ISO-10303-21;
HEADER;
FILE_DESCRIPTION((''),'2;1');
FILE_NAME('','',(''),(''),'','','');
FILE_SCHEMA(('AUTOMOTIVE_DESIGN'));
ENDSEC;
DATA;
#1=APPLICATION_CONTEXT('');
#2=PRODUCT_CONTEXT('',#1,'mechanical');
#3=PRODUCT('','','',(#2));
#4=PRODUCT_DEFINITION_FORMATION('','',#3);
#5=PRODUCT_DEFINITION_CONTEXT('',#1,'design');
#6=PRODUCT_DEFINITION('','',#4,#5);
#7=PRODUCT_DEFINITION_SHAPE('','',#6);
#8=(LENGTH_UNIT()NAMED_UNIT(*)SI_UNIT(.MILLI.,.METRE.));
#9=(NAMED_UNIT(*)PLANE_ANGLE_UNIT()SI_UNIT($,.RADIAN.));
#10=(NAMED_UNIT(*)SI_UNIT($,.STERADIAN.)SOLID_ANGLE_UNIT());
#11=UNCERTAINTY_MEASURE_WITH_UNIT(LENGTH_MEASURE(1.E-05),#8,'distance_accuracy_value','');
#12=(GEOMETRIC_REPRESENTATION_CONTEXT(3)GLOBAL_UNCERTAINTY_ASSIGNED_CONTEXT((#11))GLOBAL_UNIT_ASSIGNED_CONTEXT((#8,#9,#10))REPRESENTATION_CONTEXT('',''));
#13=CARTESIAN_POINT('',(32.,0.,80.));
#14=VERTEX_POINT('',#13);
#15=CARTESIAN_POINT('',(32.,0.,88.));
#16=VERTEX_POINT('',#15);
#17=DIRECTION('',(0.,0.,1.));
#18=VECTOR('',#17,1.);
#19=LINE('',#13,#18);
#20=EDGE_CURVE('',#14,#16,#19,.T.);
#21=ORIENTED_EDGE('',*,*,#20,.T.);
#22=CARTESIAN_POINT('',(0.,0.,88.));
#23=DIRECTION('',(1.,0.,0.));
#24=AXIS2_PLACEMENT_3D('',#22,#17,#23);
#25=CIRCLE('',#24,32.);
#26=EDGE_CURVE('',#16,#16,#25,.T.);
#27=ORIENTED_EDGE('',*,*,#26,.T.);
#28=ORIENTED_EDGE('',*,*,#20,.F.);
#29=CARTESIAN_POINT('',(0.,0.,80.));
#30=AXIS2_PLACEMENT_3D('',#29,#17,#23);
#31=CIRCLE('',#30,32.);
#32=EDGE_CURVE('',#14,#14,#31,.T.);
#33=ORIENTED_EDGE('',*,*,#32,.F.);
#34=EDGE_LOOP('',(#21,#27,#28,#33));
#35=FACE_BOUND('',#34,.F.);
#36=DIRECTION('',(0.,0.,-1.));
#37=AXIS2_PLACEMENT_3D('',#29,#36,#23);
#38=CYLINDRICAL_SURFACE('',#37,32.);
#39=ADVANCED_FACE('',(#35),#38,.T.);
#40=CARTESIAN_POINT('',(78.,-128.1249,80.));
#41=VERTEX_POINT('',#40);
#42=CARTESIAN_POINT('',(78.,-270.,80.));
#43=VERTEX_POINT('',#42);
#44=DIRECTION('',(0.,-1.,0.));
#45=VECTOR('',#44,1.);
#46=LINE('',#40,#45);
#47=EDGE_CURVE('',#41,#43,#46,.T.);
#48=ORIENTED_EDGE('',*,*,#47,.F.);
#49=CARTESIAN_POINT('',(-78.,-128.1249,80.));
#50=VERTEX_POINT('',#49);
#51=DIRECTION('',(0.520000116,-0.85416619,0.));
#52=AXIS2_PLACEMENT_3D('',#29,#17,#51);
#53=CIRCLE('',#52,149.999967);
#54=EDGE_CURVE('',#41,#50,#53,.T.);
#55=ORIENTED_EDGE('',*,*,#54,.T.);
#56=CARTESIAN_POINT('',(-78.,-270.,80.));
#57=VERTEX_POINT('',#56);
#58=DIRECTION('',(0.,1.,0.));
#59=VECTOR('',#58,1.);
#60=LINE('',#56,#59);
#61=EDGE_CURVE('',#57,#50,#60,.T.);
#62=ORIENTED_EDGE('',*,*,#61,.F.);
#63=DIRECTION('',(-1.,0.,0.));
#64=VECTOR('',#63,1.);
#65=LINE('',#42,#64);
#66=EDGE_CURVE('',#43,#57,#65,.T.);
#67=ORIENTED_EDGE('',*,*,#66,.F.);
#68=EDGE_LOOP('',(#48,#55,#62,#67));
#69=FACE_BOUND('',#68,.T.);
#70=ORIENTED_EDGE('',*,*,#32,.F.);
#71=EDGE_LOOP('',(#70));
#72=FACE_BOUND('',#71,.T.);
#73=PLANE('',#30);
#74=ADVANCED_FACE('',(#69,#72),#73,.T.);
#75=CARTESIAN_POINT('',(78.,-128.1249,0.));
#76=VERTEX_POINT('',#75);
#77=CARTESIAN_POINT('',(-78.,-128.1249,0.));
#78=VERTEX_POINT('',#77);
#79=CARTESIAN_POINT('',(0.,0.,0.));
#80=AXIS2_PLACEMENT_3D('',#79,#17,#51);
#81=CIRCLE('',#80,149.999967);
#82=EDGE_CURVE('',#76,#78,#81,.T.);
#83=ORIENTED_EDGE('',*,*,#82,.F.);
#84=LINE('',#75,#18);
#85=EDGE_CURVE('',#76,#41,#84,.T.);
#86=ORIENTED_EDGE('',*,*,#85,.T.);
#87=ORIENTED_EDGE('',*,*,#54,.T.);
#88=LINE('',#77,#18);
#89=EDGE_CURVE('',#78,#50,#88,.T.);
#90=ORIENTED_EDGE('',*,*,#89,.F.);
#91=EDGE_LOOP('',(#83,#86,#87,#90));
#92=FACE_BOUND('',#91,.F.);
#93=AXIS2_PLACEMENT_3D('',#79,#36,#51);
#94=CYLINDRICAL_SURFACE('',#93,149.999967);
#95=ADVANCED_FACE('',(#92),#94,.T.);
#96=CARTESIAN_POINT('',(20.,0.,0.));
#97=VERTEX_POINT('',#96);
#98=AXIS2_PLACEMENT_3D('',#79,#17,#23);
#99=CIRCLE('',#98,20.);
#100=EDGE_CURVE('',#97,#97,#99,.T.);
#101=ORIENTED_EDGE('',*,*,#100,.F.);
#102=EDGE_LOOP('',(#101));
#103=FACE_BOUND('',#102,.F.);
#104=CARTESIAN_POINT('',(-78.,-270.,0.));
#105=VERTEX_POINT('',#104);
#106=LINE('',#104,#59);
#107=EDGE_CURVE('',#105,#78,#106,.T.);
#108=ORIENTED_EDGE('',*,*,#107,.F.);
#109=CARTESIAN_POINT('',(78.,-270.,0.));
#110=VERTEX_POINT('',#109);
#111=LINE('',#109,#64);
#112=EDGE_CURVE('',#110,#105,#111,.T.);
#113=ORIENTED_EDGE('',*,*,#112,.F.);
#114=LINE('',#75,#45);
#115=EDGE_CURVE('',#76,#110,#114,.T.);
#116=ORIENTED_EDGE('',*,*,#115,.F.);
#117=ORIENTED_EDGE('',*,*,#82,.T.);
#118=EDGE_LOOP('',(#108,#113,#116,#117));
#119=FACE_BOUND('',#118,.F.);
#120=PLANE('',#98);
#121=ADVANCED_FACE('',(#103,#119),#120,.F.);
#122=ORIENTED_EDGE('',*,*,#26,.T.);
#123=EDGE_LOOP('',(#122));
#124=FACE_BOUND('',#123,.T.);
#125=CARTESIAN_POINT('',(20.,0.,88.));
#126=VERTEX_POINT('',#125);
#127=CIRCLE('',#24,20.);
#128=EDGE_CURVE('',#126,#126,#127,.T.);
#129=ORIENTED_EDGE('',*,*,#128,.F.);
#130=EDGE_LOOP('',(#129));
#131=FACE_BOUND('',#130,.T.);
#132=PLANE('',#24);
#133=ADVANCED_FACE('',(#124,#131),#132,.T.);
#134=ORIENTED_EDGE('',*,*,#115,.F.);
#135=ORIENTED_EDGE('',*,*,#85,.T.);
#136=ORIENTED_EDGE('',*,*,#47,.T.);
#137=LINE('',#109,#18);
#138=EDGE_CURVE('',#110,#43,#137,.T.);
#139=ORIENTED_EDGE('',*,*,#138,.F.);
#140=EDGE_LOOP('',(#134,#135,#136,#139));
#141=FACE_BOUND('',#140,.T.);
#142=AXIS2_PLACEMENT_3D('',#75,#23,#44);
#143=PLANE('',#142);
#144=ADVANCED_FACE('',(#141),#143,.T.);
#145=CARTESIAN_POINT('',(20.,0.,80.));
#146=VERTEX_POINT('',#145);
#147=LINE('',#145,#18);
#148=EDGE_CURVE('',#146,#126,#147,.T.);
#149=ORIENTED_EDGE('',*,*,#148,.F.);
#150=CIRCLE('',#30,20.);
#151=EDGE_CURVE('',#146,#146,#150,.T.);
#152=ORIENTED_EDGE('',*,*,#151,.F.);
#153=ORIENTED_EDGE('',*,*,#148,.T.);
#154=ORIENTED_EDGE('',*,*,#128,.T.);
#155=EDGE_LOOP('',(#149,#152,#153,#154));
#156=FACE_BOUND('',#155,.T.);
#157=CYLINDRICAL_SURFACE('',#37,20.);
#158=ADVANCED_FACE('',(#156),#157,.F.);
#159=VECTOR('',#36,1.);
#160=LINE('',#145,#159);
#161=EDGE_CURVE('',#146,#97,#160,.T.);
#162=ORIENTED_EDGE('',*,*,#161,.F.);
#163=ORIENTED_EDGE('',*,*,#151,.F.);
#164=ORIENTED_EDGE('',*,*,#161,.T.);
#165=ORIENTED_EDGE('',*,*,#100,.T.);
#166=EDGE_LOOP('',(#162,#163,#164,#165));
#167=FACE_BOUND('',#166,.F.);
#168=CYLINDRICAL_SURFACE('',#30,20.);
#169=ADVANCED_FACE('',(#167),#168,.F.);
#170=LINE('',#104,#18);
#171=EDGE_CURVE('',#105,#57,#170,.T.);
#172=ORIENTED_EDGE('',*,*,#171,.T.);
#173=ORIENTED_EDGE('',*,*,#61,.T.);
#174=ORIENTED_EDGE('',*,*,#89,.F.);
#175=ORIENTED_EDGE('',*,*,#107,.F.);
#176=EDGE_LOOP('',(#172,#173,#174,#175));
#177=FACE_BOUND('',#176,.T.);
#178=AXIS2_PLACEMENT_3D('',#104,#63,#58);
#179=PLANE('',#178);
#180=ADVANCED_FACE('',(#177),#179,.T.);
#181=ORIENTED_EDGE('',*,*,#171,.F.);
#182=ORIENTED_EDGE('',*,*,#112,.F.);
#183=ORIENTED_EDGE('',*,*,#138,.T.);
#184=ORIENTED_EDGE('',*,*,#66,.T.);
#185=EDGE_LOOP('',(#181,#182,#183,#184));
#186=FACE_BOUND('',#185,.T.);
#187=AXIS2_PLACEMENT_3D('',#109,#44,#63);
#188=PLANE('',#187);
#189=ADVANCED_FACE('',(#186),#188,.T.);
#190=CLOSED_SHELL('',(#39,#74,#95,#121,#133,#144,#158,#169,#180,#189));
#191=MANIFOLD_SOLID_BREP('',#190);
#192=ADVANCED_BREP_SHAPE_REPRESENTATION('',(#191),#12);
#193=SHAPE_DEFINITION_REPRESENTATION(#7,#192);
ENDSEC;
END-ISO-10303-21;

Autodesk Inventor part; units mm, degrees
ref_plane "YZ Plane" through (0, 0, 0) normal (1, 0, 0) x (0, 1, 0)
ref_plane "XZ Plane" through (0, 0, 0) normal (0, 1, 0) x (-1, 0, 0)
ref_plane "XY Plane" through (0, 0, 0) normal (0, 0, 1) x (1, 0, 0)
sketch "Sketch1" plane through (0, 0, 0) normal (0, 0, 1) x (1, 0, 0)
  arc A0 (78, -128.1249) -> (-78, -128.1249) centre (0, 0) ccw
  line L0 (78, -128.1249) -> (78, -270)
  line L1 (78, -270) -> (-78, -270)
  line L2 (-78, -270) -> (-78, -128.1249)
  line L3 (-78, -30) -> (78, -270) construction
  line L4 (78, -30) -> (-78, -270) construction
extrude "Extrusion1" add sketch "Sketch1" along normal blind 80
sketch "Sketch2" plane through (0, 0, 80) normal (0, 0, 1) x (1, 0, 0)
  circle A0 centre (0, 0) radius 20
extrude "Extrusion2" cut sketch "Sketch2" against normal through all
sketch "Sketch3" plane through (0, 0, 80) normal (0, 0, 1) x (1, 0, 0)
  circle A0 centre (0, 0) radius 32
sketch "Sketch4" plane through (0, 0, 80) normal (0, 0, 1) x (1, 0, 0)
  circle A0 centre (0, 0) radius 20
extrude "Extrusion3" add sketch "Sketch3" along normal blind 8
extrude "Extrusion4" cut sketch "Sketch4" along normal blind 8
properties part number "BigCounterWeight"
